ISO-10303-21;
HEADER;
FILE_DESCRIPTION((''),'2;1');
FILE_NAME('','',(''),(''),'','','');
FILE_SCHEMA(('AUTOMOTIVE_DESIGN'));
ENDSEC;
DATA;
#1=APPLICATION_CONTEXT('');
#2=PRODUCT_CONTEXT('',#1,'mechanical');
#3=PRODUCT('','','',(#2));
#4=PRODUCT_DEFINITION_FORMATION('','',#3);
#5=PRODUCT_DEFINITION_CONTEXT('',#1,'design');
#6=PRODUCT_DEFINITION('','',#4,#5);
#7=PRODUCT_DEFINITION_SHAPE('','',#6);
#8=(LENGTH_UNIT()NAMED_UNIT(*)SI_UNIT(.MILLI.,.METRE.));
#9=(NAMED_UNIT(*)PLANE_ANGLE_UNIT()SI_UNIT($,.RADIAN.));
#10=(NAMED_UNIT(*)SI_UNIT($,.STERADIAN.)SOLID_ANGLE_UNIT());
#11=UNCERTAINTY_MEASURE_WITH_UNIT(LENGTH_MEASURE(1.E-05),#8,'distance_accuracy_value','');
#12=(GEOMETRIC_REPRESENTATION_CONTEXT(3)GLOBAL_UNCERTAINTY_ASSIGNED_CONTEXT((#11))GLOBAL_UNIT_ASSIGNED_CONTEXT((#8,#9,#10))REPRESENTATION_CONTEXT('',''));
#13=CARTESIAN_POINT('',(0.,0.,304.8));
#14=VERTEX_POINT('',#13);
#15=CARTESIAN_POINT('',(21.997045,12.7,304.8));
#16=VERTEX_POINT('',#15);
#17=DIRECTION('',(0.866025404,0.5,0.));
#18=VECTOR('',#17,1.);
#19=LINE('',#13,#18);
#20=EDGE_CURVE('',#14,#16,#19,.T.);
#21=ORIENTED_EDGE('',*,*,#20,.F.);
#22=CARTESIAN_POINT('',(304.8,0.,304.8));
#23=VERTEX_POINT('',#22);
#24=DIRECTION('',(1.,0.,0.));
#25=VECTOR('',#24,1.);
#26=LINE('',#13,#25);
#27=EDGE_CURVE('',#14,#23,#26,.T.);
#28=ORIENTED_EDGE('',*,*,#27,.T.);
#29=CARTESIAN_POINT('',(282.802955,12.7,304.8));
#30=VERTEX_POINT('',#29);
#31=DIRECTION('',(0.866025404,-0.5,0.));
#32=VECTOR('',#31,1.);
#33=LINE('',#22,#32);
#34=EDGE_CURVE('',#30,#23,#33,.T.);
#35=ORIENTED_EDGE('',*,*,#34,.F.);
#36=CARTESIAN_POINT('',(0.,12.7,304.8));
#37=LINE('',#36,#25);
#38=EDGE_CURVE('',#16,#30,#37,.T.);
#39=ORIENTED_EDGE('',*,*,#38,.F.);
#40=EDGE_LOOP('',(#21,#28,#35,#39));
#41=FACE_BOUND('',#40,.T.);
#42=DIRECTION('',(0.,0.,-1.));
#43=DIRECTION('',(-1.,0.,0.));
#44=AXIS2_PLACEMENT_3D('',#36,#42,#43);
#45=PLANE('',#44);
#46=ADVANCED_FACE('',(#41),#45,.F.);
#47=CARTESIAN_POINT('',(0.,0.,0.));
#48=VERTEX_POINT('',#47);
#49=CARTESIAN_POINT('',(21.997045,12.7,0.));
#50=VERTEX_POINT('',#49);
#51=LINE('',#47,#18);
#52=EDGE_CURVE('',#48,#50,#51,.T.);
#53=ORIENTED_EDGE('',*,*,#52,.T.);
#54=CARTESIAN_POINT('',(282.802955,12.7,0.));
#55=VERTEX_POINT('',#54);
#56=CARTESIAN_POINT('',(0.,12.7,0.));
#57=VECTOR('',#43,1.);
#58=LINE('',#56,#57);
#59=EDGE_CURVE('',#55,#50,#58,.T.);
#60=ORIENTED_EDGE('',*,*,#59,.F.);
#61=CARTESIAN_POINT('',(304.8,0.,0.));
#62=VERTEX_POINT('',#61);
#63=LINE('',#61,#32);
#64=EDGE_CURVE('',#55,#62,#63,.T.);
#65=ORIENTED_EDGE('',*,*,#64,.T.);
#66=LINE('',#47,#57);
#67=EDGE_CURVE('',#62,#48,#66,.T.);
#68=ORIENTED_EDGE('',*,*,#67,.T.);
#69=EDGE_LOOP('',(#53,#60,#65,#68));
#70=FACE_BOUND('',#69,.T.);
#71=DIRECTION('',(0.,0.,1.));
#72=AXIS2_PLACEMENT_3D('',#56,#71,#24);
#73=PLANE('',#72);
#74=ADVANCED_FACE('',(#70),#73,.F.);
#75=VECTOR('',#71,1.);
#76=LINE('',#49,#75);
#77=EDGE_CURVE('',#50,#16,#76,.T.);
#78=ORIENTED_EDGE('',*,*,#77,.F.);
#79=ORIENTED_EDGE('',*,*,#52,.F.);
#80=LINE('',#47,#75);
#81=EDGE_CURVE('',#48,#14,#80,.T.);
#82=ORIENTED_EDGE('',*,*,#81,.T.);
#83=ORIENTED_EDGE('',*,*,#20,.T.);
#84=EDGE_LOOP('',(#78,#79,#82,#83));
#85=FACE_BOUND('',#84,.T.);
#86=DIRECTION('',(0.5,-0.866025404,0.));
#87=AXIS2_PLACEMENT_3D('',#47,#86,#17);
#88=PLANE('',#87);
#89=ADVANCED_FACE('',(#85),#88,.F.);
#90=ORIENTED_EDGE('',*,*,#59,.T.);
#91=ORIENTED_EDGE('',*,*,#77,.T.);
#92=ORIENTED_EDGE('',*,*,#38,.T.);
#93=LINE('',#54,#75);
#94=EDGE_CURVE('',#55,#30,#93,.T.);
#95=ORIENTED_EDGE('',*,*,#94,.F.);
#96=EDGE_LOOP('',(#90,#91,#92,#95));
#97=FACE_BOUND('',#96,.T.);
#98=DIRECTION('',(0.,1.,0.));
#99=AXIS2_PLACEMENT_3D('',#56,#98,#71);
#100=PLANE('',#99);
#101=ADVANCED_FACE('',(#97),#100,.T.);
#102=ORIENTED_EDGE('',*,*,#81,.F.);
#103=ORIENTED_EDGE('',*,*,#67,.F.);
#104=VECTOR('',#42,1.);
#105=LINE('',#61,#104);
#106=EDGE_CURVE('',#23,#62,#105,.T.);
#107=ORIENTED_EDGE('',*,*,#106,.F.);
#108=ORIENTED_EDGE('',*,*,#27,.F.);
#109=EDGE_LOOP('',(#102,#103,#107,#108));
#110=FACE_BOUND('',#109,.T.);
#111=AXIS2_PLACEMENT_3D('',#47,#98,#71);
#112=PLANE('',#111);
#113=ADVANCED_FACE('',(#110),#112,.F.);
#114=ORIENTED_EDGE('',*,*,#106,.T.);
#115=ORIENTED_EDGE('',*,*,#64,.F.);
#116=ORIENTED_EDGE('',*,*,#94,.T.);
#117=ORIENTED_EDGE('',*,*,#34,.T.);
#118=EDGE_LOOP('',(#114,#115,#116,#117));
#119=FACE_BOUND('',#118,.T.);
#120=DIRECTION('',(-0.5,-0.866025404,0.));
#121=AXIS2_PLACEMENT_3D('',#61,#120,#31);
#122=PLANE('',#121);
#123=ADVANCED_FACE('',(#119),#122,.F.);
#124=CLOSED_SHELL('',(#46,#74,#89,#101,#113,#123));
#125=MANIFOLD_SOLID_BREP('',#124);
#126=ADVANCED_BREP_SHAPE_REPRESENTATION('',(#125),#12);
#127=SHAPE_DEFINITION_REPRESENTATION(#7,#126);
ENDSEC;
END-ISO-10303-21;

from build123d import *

# Parameters (mm, degrees)
SKETCH1_W           = 304.8
SKETCH1_H           = 304.8
BOSS_EXTRUDE1_DEPTH = 12.7
CUT_EXTRUDE1_DEPTH  = 305.8


with BuildPart() as part:
    # Sketch1 → Boss-Extrude1 (new body)
    with BuildSketch(Plane(origin=(0, 0, 0), x_dir=(1, 0, 0), z_dir=(0, 1, 0))):
        with Locations((152.4, -152.4)):
            Rectangle(SKETCH1_W, SKETCH1_H)
    extrude(amount=BOSS_EXTRUDE1_DEPTH)

    # Sketch2 → Cut-Extrude1 (cut, through all)
    with BuildSketch(Plane.XY.offset(304.8)):
        Polygon((0, 0), (21.997045256, 12.7), (0, 12.7), align=None)
        Polygon((304.8, 0), (282.802954744, 12.7), (304.8, 12.7), align=None)
    extrude(amount=-CUT_EXTRUDE1_DEPTH, mode=Mode.SUBTRACT)


solid = part.part
